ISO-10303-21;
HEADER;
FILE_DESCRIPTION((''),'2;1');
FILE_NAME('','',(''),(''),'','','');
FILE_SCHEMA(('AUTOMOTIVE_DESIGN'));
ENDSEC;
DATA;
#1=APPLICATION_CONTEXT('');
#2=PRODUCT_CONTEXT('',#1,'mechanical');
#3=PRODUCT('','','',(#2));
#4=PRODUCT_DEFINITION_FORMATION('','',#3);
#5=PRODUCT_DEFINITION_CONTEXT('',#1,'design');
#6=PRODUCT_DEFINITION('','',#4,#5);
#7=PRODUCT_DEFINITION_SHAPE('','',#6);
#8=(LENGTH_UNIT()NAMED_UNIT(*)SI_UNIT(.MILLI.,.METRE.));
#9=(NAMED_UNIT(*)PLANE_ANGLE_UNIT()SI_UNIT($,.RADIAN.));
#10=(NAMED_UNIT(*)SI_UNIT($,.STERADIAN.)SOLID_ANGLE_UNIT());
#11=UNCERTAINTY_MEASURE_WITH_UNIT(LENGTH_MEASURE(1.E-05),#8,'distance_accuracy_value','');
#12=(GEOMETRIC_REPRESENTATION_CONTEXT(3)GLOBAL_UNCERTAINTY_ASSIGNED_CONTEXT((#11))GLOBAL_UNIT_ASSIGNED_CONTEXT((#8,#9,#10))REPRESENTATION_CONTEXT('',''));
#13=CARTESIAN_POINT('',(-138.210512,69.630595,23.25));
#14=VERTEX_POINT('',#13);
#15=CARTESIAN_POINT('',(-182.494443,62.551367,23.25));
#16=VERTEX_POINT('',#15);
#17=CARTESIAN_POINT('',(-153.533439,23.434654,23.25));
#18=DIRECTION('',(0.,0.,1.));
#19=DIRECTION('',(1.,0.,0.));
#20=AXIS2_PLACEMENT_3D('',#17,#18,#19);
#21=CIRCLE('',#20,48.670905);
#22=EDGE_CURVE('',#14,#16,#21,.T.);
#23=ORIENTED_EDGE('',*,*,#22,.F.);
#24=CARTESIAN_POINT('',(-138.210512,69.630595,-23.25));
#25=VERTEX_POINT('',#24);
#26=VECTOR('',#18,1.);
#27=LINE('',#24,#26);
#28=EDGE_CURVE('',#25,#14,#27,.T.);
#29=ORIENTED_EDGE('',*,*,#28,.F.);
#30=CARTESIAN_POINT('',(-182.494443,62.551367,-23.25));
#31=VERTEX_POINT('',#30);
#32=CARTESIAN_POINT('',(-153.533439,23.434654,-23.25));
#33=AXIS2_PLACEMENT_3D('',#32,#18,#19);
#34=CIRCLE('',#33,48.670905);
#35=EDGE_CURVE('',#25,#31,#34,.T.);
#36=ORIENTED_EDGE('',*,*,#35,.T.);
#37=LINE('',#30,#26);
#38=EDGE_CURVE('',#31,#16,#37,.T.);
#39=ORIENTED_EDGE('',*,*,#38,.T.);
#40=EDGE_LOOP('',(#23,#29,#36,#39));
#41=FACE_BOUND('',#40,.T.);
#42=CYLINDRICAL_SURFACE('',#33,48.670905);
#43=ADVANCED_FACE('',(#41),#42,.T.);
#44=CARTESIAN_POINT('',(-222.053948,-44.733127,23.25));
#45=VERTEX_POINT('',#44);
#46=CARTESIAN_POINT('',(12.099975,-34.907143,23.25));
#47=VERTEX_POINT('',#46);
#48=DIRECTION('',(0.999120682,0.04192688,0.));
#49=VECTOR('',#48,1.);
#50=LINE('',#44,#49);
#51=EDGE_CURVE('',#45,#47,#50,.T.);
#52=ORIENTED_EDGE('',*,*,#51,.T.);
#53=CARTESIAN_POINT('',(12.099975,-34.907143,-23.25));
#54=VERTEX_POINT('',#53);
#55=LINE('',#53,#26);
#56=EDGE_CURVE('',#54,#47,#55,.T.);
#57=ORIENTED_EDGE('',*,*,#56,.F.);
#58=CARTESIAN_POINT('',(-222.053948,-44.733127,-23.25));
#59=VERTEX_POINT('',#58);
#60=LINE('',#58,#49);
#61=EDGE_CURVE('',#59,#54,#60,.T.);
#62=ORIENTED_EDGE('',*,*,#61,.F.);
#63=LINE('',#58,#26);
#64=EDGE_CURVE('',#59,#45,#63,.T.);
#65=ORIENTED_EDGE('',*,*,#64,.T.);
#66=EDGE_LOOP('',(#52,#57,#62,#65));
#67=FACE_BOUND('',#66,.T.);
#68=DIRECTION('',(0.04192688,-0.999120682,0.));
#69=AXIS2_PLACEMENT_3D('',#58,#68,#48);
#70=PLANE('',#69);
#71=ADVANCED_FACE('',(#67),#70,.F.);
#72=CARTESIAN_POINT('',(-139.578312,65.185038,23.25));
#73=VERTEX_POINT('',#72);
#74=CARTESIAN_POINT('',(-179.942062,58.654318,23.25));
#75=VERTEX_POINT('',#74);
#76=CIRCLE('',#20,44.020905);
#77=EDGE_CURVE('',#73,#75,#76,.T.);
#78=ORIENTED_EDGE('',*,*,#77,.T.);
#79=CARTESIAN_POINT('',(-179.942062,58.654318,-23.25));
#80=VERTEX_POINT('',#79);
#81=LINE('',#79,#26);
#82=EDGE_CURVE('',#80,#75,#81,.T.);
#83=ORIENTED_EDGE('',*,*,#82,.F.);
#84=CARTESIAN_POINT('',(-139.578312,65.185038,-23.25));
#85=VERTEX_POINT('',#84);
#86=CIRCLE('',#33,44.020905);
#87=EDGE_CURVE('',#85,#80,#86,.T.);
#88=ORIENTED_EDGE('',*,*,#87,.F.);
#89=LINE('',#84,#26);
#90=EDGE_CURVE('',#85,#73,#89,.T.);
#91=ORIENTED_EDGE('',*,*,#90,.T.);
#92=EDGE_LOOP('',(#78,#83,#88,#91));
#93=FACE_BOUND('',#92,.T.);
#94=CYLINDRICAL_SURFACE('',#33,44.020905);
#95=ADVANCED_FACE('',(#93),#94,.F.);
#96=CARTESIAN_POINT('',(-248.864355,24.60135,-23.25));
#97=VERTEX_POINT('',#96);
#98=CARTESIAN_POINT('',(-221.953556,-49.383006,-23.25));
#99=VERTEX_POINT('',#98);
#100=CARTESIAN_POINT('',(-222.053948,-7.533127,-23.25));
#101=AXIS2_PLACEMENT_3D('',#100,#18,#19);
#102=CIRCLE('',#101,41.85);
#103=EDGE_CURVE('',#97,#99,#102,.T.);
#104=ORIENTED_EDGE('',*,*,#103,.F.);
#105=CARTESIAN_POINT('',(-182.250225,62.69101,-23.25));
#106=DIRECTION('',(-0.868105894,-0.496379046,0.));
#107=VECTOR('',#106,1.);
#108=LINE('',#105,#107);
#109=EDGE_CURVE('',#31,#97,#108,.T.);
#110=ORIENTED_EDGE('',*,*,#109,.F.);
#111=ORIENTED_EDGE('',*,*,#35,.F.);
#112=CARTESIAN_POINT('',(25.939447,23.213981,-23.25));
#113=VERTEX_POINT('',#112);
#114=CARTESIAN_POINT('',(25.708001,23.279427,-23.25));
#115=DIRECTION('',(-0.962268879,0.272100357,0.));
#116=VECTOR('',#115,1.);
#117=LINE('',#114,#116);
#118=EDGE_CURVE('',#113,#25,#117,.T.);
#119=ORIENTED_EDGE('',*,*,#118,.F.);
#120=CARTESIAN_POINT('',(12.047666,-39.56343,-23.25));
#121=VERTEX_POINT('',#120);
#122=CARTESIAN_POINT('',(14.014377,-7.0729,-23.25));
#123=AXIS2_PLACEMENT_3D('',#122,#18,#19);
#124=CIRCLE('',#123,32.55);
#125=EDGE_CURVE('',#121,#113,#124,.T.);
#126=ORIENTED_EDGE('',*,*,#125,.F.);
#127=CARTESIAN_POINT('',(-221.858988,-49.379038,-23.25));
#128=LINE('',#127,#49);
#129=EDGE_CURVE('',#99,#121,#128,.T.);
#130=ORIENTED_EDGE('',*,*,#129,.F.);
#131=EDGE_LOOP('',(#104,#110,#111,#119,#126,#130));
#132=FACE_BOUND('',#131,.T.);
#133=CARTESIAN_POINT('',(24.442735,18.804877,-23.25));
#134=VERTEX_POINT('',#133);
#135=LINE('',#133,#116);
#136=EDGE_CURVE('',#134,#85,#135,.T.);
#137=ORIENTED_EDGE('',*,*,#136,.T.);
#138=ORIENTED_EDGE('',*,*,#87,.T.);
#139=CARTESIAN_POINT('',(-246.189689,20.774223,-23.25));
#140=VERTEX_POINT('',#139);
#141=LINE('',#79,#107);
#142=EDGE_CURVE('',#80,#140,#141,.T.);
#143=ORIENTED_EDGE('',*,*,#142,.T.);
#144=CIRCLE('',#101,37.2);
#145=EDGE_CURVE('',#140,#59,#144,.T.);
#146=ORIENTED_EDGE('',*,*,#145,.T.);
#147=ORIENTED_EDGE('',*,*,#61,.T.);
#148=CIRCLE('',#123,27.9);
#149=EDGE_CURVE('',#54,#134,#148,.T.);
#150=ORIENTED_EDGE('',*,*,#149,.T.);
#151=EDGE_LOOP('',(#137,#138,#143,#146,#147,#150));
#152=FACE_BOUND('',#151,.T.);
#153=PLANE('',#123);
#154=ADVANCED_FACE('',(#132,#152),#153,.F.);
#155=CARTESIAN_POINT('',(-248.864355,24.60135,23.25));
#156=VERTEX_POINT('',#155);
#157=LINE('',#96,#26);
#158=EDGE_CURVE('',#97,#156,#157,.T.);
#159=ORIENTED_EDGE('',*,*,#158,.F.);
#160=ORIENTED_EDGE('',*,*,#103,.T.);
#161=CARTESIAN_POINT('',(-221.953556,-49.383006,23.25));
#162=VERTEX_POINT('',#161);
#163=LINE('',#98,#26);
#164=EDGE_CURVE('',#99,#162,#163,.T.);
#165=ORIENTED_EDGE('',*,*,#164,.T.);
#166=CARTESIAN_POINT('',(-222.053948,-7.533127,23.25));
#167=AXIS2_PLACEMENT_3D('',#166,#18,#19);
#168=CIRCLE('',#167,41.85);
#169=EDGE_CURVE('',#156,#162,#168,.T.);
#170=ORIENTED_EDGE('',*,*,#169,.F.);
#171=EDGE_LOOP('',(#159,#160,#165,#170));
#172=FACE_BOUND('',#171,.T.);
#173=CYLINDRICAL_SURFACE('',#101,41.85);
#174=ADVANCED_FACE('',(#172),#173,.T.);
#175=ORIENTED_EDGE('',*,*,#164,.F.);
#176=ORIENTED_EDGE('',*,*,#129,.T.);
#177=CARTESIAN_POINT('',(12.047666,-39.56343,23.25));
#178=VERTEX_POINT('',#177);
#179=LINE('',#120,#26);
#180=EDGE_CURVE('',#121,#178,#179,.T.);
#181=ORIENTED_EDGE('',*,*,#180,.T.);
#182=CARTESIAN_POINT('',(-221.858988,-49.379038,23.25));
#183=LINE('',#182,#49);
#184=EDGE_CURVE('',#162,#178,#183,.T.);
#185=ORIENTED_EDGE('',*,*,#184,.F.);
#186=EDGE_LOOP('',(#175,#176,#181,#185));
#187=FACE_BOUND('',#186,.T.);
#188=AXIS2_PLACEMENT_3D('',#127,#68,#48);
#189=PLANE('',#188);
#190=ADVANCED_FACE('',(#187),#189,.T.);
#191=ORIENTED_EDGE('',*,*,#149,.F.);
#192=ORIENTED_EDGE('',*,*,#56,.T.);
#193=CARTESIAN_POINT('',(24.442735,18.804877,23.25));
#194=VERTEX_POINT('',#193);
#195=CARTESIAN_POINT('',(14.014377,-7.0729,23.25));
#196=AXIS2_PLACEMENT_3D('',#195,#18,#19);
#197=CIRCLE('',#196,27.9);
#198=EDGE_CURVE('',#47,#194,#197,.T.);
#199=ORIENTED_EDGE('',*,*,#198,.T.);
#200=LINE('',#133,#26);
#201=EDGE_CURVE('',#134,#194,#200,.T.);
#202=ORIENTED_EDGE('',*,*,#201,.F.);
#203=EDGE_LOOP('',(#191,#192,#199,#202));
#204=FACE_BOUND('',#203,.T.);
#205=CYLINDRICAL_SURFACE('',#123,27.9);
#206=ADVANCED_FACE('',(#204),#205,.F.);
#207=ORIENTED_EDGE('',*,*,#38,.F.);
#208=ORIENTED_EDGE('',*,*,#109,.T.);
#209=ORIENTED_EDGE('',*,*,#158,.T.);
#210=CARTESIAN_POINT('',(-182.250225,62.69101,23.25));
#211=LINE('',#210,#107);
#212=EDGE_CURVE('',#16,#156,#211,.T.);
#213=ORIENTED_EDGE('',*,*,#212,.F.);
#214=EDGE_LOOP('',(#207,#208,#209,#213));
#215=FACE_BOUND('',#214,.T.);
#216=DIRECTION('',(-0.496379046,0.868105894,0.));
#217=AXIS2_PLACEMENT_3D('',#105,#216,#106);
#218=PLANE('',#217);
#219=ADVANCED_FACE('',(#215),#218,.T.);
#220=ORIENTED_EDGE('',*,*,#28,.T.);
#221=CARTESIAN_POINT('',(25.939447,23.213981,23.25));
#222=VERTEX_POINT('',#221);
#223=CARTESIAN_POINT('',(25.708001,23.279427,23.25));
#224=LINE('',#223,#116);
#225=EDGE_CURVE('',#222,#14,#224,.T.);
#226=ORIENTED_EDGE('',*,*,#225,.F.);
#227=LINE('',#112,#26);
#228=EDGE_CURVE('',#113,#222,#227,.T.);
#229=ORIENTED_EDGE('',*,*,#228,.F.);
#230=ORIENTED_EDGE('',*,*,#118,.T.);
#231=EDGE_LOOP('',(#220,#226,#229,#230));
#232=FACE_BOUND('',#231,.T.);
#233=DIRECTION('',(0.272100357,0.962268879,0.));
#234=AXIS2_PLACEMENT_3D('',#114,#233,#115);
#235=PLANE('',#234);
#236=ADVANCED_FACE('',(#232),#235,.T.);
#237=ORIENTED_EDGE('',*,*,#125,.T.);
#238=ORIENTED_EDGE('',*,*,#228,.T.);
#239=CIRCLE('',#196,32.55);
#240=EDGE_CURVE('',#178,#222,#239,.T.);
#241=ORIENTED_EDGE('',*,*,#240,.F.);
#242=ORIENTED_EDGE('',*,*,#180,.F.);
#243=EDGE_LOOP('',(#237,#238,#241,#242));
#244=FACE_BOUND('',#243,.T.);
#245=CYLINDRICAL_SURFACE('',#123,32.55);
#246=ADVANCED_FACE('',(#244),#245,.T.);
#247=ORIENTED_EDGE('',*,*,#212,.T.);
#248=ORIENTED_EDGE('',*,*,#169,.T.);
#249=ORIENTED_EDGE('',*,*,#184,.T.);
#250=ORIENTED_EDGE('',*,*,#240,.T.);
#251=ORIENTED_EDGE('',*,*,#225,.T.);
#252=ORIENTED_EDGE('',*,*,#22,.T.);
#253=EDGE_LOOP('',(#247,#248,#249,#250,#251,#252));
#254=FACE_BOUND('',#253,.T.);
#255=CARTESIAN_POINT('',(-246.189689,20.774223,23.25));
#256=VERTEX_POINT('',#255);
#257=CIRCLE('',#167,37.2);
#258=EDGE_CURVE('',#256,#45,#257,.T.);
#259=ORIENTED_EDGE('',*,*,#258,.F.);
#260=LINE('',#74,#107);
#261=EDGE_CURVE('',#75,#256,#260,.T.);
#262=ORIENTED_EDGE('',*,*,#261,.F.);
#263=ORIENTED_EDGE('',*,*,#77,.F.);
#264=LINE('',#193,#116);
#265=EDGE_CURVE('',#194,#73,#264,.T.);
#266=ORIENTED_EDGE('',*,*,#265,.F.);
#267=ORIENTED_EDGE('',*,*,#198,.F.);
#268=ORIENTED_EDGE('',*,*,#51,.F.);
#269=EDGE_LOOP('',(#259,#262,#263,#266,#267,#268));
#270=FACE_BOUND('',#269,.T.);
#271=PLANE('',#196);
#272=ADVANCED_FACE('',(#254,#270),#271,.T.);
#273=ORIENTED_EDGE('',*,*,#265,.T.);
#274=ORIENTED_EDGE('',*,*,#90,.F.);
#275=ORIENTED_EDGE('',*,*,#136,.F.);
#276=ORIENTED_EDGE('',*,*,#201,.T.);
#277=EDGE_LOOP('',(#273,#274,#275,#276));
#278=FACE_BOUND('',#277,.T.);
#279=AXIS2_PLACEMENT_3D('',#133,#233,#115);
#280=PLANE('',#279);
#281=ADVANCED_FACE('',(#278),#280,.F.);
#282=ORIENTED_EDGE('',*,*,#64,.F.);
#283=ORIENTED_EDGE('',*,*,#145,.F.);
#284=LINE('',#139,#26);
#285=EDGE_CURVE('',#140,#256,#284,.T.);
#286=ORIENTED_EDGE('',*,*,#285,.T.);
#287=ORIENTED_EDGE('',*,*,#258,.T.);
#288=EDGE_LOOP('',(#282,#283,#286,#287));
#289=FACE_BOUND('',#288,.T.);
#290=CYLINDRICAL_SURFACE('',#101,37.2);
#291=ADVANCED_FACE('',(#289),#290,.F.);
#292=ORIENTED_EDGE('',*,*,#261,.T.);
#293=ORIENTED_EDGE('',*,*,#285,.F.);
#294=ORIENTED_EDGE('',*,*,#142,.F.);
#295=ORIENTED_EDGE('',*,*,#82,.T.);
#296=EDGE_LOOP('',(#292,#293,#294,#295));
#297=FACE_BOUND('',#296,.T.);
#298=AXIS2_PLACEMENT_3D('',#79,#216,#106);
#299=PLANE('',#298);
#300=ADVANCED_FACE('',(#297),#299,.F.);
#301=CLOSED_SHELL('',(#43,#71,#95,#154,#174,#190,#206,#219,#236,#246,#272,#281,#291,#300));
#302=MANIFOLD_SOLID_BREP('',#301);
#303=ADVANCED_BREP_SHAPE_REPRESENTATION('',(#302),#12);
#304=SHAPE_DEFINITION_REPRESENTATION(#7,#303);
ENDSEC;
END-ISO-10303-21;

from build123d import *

# Parameters (mm, degrees)
ESTRUSIONE_SOTTILE1_DEPTH      = 25
ESTRUSIONE_SOTTILE1_DEPTH_BACK = 25
SCALE2_SCALE                   = 0.93


with BuildPart() as part:
    # Schizzo2 → Estrusione-Sottile1 (new, two sides)
    with BuildSketch(Plane(origin=(-3.626199773, -4.388168382, 0), x_dir=(1, 0, 0), z_dir=(0, 0, 1))) as estrusione_sottile1_sk:
        with BuildLine():
            Line((-226.626080874, -48.830329598), (24.988136504, -38.271646045))
            ThreePointArc((24.988136504, -38.271646045), (61.276185696, -10.897676453), (39.925535167, 29.230947338))
            Line((39.925535167, 29.230947338), (-136.579797, 79.141284263))
            ThreePointArc((-136.579797, 79.141284263), (-161.317329277, 81.14637928), (-184.196927163, 71.52921183))
            Line((-184.196927163, 71.52921183), (-255.562423669, 30.722741893))
            ThreePointArc((-255.562423669, 30.722741893), (-269.023375691, -19.212630891), (-226.626080874, -48.830329598))
        make_face()
        with BuildLine():
            Line((-226.734029631, -43.830459075), (25.044382174, -33.264885303))
            ThreePointArc((25.044382174, -33.264885303), (56.34084272, -10.054333528), (38.316167271, 24.489974706))
            Line((38.316167271, 24.489974706), (-138.050550004, 74.361115557))
            ThreePointArc((-138.050550004, 74.361115557), (-160.616278185, 76.194878875), (-181.452431457, 67.338836133))
            Line((-181.452431457, 67.338836133), (-252.686438473, 26.607551295))
            ThreePointArc((-252.686438473, 26.607551295), (-264.26748414, -17.659406707), (-226.734029631, -43.830459075))
        make_face(mode=Mode.SUBTRACT)
    extrude(amount=ESTRUSIONE_SOTTILE1_DEPTH)
    extrude(estrusione_sottile1_sk.sketch, amount=-ESTRUSIONE_SOTTILE1_DEPTH_BACK)


with BuildPart() as part_1:
    # Scale2: scaled about (-111.699071241, 1.574242956, 0)
    add(part.part.scale(SCALE2_SCALE).moved(Location((-7.818934987, 0.110197007, 0))))


solid = part_1.part
